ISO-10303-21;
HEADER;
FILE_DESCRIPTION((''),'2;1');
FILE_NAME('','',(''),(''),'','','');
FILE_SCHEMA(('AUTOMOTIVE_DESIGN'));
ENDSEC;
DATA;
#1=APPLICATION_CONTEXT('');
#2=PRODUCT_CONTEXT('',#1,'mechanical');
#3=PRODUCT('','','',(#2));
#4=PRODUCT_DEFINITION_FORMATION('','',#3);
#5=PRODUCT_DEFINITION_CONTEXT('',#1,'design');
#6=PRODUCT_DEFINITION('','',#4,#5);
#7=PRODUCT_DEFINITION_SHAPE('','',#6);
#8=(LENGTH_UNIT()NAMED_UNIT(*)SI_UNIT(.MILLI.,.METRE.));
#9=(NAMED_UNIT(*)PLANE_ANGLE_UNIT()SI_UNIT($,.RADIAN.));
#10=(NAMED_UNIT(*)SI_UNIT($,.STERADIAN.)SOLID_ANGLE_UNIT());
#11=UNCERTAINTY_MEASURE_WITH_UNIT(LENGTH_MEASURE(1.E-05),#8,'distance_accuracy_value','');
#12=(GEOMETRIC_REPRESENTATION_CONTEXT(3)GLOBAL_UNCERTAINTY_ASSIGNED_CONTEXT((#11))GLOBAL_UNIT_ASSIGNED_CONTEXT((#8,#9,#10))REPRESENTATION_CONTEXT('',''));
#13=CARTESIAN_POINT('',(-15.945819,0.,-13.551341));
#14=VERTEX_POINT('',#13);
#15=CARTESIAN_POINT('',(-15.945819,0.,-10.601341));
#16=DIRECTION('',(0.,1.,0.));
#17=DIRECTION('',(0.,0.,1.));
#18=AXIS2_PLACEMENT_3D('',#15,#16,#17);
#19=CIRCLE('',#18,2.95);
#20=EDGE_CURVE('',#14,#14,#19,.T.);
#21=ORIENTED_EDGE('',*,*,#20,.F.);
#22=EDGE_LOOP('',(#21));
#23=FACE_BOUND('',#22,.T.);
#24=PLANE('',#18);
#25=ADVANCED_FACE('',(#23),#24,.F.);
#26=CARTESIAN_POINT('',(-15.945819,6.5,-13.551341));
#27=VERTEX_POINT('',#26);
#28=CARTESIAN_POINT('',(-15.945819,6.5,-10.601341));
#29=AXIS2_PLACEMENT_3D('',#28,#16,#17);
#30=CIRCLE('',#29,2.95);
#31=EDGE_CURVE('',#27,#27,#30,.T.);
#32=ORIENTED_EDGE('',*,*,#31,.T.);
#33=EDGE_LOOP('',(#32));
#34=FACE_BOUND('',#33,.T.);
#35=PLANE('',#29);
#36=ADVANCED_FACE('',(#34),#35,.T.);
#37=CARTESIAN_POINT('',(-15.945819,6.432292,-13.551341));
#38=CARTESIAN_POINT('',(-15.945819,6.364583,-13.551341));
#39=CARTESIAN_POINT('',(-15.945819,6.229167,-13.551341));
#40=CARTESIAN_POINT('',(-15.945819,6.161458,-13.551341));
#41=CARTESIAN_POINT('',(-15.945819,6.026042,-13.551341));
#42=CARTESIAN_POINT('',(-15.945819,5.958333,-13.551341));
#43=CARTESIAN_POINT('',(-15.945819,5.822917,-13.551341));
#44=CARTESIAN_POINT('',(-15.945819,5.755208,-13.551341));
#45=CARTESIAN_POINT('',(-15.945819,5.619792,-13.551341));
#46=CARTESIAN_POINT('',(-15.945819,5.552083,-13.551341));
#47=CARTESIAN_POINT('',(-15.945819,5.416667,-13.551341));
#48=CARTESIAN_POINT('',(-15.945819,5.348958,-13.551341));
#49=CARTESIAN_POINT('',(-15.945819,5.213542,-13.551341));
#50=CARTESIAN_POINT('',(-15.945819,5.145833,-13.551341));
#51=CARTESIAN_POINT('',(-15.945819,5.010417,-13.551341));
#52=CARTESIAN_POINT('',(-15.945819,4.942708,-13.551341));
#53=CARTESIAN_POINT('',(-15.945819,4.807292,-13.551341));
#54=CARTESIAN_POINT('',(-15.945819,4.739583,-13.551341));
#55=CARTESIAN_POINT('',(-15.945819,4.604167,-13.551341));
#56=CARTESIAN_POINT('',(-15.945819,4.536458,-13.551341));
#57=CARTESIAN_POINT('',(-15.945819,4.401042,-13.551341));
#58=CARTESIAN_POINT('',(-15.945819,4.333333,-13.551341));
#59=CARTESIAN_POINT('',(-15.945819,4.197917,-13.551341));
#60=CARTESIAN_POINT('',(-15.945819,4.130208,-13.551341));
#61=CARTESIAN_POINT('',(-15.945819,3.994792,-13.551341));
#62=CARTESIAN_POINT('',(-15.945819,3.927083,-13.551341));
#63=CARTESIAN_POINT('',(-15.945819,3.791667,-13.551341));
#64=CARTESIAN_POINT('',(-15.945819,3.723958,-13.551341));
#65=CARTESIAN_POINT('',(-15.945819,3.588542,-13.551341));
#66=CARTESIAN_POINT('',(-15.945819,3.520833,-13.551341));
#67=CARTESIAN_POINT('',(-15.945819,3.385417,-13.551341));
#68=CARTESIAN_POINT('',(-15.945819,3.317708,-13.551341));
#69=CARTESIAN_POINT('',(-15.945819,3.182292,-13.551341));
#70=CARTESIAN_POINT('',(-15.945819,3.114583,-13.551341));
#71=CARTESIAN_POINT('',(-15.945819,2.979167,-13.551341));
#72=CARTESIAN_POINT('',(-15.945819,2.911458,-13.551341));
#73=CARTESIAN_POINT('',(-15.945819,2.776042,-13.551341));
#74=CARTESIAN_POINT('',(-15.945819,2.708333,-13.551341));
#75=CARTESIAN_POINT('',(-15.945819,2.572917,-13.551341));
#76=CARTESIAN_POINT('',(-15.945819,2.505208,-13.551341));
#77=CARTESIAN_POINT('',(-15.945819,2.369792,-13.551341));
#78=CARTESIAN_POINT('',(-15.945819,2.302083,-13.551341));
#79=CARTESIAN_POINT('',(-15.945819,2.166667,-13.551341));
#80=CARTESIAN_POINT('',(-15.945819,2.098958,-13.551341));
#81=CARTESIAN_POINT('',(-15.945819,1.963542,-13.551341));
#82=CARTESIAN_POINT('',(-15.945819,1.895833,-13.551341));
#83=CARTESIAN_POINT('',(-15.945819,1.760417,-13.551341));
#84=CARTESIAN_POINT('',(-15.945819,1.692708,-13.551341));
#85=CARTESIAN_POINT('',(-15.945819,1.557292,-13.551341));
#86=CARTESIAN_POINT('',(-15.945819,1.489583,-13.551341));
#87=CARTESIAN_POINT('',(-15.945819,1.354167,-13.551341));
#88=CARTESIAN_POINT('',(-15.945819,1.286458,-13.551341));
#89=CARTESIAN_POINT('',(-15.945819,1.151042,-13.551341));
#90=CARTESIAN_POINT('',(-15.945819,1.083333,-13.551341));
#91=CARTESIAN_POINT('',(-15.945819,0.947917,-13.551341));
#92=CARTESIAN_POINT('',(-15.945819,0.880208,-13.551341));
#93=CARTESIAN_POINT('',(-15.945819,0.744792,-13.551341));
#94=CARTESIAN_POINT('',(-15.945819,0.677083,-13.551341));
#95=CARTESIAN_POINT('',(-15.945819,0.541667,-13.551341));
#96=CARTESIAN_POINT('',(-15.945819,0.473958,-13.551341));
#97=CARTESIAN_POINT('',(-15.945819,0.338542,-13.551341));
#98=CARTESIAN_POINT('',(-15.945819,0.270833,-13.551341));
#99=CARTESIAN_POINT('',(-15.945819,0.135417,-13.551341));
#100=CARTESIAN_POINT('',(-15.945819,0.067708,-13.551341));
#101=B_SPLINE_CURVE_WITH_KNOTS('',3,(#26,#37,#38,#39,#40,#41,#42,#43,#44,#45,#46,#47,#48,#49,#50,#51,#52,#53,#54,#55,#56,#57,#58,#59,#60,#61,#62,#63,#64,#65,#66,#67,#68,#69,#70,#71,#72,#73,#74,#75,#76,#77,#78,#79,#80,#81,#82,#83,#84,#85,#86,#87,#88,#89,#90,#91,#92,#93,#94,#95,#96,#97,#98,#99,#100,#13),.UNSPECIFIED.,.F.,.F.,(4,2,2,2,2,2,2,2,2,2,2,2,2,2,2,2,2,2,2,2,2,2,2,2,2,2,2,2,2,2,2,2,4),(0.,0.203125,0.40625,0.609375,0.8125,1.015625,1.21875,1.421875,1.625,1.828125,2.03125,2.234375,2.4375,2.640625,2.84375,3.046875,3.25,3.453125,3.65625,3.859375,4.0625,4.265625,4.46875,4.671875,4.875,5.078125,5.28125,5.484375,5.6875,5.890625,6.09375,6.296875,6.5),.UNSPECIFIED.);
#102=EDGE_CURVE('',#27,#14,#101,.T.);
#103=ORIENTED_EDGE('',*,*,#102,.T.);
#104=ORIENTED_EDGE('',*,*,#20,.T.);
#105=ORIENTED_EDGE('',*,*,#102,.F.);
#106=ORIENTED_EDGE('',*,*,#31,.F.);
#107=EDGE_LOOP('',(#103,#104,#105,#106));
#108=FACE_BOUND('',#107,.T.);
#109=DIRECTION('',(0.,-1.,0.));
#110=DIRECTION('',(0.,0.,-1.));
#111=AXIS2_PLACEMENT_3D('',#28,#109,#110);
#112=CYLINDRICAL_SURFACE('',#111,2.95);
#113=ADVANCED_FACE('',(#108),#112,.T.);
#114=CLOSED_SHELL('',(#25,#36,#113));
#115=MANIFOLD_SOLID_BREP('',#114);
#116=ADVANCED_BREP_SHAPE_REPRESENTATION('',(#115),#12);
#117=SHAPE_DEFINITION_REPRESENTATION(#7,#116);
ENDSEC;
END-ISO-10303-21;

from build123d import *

# Parameters (mm, degrees)
SKETCH_1_R      = 2.95
EXTRUDE_2_DEPTH = 6.5


with BuildPart() as part:
    # 草图1 → 凸台-拉伸2 (new body)
    with BuildSketch(Plane(origin=(0, 0, 0), x_dir=(1, 0, 0), z_dir=(0, 1, 0))):
        with Locations(Location((-15.945819285, 10.601341392, 0), (0, 0, 90))):
            Circle(SKETCH_1_R)
    extrude(amount=EXTRUDE_2_DEPTH)


solid = part.part
